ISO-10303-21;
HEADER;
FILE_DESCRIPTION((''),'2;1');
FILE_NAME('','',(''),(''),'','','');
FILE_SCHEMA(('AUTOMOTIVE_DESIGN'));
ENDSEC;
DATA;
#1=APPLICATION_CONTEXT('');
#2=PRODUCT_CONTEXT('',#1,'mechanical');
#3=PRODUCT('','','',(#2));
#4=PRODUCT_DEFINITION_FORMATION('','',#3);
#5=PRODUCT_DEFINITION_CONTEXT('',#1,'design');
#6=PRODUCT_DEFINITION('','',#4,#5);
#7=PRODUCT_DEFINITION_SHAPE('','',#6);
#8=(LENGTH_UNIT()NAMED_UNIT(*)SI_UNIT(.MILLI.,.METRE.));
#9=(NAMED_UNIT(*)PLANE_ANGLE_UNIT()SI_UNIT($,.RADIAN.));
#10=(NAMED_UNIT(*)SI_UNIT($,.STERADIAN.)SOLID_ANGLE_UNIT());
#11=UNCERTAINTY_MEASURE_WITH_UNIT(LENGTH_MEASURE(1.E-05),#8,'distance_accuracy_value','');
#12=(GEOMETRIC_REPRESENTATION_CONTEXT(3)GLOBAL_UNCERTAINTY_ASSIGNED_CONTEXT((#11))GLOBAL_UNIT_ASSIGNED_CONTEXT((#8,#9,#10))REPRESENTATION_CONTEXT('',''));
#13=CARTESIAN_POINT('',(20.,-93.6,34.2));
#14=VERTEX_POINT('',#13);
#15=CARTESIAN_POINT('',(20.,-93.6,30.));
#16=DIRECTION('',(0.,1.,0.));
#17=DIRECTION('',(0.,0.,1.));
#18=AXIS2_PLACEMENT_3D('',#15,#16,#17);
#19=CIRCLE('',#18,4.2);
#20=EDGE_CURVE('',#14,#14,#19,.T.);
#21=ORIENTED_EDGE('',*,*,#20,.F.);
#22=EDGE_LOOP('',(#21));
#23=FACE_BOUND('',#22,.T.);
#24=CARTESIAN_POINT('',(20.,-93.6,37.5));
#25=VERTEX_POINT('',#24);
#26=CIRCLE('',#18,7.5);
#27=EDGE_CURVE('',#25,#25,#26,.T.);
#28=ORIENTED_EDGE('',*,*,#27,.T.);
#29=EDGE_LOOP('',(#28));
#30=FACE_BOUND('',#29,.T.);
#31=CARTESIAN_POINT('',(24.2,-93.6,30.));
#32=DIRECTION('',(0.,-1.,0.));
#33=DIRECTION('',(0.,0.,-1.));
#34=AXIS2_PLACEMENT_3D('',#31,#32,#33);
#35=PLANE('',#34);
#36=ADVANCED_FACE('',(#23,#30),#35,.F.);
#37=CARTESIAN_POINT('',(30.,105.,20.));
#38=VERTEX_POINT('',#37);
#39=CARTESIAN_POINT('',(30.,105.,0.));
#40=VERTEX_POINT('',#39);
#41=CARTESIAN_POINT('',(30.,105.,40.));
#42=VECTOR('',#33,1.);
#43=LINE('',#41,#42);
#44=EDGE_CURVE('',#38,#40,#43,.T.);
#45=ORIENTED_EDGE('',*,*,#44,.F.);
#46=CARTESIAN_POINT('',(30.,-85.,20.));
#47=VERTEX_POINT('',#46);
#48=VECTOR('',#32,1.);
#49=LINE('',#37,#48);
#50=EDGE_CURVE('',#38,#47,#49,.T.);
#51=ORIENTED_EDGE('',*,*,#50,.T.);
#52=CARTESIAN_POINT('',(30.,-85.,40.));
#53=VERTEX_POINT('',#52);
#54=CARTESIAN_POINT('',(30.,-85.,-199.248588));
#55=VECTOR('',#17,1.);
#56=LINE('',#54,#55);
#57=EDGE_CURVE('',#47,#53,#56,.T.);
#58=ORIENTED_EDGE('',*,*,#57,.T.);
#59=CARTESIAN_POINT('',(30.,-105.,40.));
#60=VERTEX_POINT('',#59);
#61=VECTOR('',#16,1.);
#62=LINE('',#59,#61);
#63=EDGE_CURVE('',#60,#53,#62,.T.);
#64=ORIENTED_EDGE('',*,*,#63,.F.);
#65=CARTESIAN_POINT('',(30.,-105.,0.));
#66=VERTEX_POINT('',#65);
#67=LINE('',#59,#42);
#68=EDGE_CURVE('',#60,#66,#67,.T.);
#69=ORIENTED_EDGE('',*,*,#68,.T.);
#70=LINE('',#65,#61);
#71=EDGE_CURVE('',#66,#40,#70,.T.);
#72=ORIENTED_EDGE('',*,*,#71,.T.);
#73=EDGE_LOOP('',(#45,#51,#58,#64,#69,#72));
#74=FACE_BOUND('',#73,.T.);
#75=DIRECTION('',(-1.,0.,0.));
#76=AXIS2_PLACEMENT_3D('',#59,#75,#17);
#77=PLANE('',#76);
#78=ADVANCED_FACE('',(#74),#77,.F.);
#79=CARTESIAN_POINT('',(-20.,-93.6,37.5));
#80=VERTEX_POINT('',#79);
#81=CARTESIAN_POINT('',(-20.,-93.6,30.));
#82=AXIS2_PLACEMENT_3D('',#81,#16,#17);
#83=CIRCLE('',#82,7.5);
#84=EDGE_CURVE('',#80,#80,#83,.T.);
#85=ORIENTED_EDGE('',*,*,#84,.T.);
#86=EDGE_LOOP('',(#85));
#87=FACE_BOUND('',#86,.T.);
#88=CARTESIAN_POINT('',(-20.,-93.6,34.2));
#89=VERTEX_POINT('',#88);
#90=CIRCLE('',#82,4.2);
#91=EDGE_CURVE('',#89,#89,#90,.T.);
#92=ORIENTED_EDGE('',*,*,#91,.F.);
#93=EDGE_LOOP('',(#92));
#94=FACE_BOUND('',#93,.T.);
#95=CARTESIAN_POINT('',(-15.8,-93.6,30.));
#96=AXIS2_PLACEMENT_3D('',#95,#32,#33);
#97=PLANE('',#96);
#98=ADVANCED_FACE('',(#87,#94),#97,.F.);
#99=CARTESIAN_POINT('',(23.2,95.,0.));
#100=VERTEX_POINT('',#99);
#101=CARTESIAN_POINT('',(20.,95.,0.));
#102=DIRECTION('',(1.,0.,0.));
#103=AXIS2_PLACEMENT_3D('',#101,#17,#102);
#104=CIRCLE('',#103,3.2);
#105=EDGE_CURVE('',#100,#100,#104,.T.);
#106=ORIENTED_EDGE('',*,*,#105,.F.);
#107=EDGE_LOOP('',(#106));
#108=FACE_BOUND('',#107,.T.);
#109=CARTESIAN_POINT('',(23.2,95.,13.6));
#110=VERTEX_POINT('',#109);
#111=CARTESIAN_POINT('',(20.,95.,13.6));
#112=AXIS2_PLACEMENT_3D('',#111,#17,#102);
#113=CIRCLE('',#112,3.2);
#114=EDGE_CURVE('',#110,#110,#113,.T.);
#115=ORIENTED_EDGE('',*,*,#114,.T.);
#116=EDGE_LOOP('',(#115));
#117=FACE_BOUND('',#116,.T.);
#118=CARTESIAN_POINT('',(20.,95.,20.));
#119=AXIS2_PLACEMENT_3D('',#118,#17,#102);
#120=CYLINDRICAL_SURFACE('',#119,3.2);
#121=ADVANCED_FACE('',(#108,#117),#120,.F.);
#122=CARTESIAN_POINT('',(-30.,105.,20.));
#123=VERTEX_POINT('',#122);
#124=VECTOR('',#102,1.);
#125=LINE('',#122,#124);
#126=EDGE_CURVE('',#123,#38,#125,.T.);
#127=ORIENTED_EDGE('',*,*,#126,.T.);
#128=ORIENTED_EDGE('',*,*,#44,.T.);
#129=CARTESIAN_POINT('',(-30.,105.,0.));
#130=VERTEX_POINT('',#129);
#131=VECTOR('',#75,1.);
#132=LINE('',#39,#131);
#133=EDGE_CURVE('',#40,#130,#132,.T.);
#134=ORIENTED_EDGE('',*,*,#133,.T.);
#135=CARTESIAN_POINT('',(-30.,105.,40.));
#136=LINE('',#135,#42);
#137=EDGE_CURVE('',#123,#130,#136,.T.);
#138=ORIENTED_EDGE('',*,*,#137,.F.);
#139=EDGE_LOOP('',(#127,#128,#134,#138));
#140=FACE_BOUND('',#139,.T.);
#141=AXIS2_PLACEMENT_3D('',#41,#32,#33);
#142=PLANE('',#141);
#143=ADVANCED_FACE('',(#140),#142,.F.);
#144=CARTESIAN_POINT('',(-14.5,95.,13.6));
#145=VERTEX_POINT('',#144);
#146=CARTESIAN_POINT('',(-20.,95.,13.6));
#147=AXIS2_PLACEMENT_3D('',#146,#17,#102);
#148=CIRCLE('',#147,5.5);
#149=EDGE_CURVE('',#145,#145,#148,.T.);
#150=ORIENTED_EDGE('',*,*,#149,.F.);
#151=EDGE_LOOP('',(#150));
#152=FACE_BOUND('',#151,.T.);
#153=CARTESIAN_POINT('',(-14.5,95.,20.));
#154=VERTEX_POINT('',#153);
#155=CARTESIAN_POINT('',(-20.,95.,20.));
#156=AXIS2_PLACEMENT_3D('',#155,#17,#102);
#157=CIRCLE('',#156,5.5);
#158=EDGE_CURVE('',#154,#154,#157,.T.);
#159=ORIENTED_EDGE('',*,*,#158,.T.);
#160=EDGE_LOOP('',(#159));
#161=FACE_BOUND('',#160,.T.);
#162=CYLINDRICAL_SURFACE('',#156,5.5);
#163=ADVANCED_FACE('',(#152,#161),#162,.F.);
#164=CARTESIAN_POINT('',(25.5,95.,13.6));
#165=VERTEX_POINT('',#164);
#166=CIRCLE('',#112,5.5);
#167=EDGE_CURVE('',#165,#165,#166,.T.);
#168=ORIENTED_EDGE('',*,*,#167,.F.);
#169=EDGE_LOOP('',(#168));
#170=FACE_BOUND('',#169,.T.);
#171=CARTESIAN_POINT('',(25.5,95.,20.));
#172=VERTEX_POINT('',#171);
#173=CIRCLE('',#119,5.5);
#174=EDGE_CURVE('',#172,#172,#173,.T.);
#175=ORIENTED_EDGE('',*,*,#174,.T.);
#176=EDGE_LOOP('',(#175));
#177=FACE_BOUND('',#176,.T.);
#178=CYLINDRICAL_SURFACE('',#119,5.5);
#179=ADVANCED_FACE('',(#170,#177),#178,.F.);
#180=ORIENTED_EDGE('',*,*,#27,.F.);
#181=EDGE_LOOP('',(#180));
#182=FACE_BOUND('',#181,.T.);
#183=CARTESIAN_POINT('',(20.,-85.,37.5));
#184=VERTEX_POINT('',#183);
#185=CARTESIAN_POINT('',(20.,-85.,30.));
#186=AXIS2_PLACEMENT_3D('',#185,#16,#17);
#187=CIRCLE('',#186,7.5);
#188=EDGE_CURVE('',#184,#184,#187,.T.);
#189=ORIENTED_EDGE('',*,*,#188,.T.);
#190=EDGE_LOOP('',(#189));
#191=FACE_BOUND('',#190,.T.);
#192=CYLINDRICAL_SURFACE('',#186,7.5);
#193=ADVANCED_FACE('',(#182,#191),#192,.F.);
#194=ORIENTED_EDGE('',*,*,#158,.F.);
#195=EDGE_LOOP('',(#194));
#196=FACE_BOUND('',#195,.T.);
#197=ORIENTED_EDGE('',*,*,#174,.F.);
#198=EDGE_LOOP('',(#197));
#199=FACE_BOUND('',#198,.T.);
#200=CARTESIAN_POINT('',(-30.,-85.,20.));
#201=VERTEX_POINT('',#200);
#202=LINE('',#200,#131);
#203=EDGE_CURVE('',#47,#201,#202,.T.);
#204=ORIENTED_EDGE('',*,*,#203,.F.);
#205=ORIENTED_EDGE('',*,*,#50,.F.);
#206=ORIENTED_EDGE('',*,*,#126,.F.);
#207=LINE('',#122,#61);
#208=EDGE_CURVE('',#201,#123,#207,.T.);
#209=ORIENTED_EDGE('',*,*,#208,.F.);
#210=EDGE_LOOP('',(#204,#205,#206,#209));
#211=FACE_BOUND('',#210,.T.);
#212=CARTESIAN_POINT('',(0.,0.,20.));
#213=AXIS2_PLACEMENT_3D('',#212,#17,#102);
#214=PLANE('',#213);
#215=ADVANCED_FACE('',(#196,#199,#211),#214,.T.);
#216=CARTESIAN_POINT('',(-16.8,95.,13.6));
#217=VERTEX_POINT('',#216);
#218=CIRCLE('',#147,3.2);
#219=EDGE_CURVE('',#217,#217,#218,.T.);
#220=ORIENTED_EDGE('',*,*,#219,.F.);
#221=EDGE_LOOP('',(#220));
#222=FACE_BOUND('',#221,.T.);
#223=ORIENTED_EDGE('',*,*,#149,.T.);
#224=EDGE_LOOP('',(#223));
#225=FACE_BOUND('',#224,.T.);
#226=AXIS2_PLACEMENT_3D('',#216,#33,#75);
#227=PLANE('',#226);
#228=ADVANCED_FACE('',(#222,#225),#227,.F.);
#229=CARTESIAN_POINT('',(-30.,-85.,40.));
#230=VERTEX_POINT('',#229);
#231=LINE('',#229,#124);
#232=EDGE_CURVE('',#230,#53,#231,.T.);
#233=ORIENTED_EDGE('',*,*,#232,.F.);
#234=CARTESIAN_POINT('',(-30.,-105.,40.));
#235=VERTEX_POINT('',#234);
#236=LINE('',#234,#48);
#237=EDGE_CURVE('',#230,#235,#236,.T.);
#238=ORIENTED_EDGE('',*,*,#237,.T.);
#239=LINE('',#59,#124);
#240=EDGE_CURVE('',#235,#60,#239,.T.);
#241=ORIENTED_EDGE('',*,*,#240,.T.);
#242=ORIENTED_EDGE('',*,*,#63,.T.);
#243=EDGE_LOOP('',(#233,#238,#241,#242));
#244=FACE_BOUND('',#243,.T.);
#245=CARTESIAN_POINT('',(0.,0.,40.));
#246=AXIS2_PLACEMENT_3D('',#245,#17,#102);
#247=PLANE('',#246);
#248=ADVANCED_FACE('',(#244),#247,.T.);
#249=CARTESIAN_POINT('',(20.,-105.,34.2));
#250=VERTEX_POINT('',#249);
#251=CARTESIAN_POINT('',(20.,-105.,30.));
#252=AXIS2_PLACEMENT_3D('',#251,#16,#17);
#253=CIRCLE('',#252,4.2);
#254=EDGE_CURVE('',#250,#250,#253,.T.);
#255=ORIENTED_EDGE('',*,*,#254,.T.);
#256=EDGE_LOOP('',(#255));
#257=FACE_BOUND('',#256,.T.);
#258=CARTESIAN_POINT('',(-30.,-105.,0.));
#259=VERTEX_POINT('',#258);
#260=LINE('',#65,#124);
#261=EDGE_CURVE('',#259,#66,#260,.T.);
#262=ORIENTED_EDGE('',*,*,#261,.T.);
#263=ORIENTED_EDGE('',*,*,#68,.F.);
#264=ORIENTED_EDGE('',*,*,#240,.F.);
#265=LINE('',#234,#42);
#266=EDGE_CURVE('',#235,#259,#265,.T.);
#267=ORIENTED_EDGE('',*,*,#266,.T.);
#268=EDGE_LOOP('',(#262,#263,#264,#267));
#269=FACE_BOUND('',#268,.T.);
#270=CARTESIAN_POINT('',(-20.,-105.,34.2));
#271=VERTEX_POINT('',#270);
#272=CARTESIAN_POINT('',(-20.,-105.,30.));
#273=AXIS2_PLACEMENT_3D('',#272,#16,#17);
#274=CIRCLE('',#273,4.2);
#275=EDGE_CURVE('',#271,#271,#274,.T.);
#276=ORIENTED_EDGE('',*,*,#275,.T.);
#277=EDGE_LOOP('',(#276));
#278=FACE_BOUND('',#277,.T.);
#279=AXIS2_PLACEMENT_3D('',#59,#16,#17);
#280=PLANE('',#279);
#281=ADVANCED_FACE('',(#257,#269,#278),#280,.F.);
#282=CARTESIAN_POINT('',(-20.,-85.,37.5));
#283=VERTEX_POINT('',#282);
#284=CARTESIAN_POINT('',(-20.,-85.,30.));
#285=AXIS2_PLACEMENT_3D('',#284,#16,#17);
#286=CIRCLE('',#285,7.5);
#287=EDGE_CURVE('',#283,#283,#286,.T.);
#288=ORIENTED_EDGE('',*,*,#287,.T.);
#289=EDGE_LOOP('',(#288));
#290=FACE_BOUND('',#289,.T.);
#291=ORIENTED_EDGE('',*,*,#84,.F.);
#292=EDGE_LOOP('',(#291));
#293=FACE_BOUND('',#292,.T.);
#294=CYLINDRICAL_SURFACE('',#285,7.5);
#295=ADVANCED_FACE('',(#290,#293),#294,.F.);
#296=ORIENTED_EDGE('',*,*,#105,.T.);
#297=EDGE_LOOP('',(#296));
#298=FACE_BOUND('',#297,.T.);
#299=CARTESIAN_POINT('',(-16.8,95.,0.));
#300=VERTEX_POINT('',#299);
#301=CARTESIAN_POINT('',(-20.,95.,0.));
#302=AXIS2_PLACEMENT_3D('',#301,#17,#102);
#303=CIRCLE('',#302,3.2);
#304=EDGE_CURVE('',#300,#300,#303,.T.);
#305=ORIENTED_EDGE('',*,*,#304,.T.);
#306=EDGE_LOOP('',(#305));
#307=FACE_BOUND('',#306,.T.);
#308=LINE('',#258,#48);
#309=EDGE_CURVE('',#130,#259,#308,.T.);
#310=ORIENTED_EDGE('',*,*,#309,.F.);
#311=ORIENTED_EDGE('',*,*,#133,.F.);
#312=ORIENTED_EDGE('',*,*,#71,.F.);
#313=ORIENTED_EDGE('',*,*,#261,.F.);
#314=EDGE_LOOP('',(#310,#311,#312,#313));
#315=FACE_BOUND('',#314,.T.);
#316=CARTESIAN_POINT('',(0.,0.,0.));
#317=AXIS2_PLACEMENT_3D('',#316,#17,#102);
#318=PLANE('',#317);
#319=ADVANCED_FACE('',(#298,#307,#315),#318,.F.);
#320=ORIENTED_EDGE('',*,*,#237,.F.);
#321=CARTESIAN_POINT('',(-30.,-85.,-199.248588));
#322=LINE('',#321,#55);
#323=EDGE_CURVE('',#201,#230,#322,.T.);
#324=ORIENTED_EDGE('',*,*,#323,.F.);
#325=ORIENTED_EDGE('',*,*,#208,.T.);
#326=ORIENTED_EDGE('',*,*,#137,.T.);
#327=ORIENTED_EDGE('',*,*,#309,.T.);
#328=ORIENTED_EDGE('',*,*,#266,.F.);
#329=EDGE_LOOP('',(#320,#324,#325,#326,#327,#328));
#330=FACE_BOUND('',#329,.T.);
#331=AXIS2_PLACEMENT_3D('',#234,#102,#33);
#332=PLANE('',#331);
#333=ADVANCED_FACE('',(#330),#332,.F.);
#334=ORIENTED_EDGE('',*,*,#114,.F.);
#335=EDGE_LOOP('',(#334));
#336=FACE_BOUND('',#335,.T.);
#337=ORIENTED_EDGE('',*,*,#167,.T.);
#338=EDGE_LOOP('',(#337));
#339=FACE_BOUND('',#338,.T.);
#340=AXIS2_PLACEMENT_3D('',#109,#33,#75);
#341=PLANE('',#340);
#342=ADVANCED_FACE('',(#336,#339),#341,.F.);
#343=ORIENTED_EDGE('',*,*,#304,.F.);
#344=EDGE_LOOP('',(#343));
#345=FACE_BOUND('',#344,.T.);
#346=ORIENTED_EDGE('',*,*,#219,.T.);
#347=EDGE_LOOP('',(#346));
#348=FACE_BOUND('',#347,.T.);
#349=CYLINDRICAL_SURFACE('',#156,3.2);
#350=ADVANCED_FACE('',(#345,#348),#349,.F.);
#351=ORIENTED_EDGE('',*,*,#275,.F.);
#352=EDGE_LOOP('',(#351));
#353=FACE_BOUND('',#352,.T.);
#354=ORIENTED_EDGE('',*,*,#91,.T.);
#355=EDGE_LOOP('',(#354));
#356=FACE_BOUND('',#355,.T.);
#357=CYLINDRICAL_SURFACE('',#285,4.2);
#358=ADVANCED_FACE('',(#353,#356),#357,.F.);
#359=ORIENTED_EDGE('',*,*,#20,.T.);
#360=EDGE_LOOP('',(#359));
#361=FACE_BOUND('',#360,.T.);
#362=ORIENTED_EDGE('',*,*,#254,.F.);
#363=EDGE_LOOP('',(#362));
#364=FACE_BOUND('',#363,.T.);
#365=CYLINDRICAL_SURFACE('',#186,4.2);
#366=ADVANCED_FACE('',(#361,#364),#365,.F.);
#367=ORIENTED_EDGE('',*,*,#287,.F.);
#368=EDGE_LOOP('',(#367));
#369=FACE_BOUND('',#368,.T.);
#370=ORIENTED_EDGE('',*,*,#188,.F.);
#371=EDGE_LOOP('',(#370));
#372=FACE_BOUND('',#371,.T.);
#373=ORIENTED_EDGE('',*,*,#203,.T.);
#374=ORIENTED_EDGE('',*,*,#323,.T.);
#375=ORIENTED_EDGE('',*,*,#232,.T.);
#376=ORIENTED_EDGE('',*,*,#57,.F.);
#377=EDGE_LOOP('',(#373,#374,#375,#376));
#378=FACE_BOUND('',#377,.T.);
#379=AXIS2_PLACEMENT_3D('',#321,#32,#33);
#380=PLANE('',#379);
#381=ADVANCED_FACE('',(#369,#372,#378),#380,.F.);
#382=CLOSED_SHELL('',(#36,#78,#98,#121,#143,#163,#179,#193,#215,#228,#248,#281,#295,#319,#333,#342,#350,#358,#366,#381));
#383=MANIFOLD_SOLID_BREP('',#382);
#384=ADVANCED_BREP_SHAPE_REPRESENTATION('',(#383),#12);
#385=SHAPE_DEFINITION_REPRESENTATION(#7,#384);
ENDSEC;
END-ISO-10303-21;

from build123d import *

# Parameters (mm, degrees)
SKETCH_2_W                   = 60
SKETCH_2_H                   = 210
EXTRUDE_1_DEPTH              = 40
SKETCH_3_W                   = 60
SKETCH_3_H                   = 190
CUT_EXTRUDE_1_DEPTH          = 20
HOLE_WIZARD_M6_2_D           = 6.4
HOLE_WIZARD_M6_2_CBORE_D     = 11
HOLE_WIZARD_M6_2_CBORE_DEPTH = 6.4
HOLE_WIZARD_M8_2_D           = 8.4
HOLE_WIZARD_M8_2_CBORE_D     = 15
HOLE_WIZARD_M8_2_CBORE_DEPTH = 8.6


with BuildPart() as part:
    # 草图2 → 凸台-拉伸1 (new body)
    with BuildSketch(Plane.XY):
        Rectangle(SKETCH_2_W, SKETCH_2_H)
    extrude(amount=EXTRUDE_1_DEPTH)

    # 草图3 → 切除-拉伸1 (cut)
    with BuildSketch(Plane.XY.offset(40)):
        with Locations((0, 10)):
            Rectangle(SKETCH_3_W, SKETCH_3_H)
    extrude(amount=-CUT_EXTRUDE_1_DEPTH, mode=Mode.SUBTRACT)

    # M6 六角凹头螺钉的柱形沉头孔2 (through all)
    with Locations(Plane(origin=(-20, 95, 20), x_dir=(1, 0, 0), z_dir=(0, 0, 1))):
        with Locations((0, 0), (40, 0)):
            CounterBoreHole(HOLE_WIZARD_M6_2_D / 2, HOLE_WIZARD_M6_2_CBORE_D / 2, HOLE_WIZARD_M6_2_CBORE_DEPTH)

    # M8 六角凹头螺钉的柱形沉头孔2 (through all)
    with Locations(Plane(origin=(-20, -85, 30), x_dir=(0, 0, 1), z_dir=(0, 1, 0))):
        with Locations((0, 0), (0, 40)):
            CounterBoreHole(HOLE_WIZARD_M8_2_D / 2, HOLE_WIZARD_M8_2_CBORE_D / 2, HOLE_WIZARD_M8_2_CBORE_DEPTH)


solid = part.part
